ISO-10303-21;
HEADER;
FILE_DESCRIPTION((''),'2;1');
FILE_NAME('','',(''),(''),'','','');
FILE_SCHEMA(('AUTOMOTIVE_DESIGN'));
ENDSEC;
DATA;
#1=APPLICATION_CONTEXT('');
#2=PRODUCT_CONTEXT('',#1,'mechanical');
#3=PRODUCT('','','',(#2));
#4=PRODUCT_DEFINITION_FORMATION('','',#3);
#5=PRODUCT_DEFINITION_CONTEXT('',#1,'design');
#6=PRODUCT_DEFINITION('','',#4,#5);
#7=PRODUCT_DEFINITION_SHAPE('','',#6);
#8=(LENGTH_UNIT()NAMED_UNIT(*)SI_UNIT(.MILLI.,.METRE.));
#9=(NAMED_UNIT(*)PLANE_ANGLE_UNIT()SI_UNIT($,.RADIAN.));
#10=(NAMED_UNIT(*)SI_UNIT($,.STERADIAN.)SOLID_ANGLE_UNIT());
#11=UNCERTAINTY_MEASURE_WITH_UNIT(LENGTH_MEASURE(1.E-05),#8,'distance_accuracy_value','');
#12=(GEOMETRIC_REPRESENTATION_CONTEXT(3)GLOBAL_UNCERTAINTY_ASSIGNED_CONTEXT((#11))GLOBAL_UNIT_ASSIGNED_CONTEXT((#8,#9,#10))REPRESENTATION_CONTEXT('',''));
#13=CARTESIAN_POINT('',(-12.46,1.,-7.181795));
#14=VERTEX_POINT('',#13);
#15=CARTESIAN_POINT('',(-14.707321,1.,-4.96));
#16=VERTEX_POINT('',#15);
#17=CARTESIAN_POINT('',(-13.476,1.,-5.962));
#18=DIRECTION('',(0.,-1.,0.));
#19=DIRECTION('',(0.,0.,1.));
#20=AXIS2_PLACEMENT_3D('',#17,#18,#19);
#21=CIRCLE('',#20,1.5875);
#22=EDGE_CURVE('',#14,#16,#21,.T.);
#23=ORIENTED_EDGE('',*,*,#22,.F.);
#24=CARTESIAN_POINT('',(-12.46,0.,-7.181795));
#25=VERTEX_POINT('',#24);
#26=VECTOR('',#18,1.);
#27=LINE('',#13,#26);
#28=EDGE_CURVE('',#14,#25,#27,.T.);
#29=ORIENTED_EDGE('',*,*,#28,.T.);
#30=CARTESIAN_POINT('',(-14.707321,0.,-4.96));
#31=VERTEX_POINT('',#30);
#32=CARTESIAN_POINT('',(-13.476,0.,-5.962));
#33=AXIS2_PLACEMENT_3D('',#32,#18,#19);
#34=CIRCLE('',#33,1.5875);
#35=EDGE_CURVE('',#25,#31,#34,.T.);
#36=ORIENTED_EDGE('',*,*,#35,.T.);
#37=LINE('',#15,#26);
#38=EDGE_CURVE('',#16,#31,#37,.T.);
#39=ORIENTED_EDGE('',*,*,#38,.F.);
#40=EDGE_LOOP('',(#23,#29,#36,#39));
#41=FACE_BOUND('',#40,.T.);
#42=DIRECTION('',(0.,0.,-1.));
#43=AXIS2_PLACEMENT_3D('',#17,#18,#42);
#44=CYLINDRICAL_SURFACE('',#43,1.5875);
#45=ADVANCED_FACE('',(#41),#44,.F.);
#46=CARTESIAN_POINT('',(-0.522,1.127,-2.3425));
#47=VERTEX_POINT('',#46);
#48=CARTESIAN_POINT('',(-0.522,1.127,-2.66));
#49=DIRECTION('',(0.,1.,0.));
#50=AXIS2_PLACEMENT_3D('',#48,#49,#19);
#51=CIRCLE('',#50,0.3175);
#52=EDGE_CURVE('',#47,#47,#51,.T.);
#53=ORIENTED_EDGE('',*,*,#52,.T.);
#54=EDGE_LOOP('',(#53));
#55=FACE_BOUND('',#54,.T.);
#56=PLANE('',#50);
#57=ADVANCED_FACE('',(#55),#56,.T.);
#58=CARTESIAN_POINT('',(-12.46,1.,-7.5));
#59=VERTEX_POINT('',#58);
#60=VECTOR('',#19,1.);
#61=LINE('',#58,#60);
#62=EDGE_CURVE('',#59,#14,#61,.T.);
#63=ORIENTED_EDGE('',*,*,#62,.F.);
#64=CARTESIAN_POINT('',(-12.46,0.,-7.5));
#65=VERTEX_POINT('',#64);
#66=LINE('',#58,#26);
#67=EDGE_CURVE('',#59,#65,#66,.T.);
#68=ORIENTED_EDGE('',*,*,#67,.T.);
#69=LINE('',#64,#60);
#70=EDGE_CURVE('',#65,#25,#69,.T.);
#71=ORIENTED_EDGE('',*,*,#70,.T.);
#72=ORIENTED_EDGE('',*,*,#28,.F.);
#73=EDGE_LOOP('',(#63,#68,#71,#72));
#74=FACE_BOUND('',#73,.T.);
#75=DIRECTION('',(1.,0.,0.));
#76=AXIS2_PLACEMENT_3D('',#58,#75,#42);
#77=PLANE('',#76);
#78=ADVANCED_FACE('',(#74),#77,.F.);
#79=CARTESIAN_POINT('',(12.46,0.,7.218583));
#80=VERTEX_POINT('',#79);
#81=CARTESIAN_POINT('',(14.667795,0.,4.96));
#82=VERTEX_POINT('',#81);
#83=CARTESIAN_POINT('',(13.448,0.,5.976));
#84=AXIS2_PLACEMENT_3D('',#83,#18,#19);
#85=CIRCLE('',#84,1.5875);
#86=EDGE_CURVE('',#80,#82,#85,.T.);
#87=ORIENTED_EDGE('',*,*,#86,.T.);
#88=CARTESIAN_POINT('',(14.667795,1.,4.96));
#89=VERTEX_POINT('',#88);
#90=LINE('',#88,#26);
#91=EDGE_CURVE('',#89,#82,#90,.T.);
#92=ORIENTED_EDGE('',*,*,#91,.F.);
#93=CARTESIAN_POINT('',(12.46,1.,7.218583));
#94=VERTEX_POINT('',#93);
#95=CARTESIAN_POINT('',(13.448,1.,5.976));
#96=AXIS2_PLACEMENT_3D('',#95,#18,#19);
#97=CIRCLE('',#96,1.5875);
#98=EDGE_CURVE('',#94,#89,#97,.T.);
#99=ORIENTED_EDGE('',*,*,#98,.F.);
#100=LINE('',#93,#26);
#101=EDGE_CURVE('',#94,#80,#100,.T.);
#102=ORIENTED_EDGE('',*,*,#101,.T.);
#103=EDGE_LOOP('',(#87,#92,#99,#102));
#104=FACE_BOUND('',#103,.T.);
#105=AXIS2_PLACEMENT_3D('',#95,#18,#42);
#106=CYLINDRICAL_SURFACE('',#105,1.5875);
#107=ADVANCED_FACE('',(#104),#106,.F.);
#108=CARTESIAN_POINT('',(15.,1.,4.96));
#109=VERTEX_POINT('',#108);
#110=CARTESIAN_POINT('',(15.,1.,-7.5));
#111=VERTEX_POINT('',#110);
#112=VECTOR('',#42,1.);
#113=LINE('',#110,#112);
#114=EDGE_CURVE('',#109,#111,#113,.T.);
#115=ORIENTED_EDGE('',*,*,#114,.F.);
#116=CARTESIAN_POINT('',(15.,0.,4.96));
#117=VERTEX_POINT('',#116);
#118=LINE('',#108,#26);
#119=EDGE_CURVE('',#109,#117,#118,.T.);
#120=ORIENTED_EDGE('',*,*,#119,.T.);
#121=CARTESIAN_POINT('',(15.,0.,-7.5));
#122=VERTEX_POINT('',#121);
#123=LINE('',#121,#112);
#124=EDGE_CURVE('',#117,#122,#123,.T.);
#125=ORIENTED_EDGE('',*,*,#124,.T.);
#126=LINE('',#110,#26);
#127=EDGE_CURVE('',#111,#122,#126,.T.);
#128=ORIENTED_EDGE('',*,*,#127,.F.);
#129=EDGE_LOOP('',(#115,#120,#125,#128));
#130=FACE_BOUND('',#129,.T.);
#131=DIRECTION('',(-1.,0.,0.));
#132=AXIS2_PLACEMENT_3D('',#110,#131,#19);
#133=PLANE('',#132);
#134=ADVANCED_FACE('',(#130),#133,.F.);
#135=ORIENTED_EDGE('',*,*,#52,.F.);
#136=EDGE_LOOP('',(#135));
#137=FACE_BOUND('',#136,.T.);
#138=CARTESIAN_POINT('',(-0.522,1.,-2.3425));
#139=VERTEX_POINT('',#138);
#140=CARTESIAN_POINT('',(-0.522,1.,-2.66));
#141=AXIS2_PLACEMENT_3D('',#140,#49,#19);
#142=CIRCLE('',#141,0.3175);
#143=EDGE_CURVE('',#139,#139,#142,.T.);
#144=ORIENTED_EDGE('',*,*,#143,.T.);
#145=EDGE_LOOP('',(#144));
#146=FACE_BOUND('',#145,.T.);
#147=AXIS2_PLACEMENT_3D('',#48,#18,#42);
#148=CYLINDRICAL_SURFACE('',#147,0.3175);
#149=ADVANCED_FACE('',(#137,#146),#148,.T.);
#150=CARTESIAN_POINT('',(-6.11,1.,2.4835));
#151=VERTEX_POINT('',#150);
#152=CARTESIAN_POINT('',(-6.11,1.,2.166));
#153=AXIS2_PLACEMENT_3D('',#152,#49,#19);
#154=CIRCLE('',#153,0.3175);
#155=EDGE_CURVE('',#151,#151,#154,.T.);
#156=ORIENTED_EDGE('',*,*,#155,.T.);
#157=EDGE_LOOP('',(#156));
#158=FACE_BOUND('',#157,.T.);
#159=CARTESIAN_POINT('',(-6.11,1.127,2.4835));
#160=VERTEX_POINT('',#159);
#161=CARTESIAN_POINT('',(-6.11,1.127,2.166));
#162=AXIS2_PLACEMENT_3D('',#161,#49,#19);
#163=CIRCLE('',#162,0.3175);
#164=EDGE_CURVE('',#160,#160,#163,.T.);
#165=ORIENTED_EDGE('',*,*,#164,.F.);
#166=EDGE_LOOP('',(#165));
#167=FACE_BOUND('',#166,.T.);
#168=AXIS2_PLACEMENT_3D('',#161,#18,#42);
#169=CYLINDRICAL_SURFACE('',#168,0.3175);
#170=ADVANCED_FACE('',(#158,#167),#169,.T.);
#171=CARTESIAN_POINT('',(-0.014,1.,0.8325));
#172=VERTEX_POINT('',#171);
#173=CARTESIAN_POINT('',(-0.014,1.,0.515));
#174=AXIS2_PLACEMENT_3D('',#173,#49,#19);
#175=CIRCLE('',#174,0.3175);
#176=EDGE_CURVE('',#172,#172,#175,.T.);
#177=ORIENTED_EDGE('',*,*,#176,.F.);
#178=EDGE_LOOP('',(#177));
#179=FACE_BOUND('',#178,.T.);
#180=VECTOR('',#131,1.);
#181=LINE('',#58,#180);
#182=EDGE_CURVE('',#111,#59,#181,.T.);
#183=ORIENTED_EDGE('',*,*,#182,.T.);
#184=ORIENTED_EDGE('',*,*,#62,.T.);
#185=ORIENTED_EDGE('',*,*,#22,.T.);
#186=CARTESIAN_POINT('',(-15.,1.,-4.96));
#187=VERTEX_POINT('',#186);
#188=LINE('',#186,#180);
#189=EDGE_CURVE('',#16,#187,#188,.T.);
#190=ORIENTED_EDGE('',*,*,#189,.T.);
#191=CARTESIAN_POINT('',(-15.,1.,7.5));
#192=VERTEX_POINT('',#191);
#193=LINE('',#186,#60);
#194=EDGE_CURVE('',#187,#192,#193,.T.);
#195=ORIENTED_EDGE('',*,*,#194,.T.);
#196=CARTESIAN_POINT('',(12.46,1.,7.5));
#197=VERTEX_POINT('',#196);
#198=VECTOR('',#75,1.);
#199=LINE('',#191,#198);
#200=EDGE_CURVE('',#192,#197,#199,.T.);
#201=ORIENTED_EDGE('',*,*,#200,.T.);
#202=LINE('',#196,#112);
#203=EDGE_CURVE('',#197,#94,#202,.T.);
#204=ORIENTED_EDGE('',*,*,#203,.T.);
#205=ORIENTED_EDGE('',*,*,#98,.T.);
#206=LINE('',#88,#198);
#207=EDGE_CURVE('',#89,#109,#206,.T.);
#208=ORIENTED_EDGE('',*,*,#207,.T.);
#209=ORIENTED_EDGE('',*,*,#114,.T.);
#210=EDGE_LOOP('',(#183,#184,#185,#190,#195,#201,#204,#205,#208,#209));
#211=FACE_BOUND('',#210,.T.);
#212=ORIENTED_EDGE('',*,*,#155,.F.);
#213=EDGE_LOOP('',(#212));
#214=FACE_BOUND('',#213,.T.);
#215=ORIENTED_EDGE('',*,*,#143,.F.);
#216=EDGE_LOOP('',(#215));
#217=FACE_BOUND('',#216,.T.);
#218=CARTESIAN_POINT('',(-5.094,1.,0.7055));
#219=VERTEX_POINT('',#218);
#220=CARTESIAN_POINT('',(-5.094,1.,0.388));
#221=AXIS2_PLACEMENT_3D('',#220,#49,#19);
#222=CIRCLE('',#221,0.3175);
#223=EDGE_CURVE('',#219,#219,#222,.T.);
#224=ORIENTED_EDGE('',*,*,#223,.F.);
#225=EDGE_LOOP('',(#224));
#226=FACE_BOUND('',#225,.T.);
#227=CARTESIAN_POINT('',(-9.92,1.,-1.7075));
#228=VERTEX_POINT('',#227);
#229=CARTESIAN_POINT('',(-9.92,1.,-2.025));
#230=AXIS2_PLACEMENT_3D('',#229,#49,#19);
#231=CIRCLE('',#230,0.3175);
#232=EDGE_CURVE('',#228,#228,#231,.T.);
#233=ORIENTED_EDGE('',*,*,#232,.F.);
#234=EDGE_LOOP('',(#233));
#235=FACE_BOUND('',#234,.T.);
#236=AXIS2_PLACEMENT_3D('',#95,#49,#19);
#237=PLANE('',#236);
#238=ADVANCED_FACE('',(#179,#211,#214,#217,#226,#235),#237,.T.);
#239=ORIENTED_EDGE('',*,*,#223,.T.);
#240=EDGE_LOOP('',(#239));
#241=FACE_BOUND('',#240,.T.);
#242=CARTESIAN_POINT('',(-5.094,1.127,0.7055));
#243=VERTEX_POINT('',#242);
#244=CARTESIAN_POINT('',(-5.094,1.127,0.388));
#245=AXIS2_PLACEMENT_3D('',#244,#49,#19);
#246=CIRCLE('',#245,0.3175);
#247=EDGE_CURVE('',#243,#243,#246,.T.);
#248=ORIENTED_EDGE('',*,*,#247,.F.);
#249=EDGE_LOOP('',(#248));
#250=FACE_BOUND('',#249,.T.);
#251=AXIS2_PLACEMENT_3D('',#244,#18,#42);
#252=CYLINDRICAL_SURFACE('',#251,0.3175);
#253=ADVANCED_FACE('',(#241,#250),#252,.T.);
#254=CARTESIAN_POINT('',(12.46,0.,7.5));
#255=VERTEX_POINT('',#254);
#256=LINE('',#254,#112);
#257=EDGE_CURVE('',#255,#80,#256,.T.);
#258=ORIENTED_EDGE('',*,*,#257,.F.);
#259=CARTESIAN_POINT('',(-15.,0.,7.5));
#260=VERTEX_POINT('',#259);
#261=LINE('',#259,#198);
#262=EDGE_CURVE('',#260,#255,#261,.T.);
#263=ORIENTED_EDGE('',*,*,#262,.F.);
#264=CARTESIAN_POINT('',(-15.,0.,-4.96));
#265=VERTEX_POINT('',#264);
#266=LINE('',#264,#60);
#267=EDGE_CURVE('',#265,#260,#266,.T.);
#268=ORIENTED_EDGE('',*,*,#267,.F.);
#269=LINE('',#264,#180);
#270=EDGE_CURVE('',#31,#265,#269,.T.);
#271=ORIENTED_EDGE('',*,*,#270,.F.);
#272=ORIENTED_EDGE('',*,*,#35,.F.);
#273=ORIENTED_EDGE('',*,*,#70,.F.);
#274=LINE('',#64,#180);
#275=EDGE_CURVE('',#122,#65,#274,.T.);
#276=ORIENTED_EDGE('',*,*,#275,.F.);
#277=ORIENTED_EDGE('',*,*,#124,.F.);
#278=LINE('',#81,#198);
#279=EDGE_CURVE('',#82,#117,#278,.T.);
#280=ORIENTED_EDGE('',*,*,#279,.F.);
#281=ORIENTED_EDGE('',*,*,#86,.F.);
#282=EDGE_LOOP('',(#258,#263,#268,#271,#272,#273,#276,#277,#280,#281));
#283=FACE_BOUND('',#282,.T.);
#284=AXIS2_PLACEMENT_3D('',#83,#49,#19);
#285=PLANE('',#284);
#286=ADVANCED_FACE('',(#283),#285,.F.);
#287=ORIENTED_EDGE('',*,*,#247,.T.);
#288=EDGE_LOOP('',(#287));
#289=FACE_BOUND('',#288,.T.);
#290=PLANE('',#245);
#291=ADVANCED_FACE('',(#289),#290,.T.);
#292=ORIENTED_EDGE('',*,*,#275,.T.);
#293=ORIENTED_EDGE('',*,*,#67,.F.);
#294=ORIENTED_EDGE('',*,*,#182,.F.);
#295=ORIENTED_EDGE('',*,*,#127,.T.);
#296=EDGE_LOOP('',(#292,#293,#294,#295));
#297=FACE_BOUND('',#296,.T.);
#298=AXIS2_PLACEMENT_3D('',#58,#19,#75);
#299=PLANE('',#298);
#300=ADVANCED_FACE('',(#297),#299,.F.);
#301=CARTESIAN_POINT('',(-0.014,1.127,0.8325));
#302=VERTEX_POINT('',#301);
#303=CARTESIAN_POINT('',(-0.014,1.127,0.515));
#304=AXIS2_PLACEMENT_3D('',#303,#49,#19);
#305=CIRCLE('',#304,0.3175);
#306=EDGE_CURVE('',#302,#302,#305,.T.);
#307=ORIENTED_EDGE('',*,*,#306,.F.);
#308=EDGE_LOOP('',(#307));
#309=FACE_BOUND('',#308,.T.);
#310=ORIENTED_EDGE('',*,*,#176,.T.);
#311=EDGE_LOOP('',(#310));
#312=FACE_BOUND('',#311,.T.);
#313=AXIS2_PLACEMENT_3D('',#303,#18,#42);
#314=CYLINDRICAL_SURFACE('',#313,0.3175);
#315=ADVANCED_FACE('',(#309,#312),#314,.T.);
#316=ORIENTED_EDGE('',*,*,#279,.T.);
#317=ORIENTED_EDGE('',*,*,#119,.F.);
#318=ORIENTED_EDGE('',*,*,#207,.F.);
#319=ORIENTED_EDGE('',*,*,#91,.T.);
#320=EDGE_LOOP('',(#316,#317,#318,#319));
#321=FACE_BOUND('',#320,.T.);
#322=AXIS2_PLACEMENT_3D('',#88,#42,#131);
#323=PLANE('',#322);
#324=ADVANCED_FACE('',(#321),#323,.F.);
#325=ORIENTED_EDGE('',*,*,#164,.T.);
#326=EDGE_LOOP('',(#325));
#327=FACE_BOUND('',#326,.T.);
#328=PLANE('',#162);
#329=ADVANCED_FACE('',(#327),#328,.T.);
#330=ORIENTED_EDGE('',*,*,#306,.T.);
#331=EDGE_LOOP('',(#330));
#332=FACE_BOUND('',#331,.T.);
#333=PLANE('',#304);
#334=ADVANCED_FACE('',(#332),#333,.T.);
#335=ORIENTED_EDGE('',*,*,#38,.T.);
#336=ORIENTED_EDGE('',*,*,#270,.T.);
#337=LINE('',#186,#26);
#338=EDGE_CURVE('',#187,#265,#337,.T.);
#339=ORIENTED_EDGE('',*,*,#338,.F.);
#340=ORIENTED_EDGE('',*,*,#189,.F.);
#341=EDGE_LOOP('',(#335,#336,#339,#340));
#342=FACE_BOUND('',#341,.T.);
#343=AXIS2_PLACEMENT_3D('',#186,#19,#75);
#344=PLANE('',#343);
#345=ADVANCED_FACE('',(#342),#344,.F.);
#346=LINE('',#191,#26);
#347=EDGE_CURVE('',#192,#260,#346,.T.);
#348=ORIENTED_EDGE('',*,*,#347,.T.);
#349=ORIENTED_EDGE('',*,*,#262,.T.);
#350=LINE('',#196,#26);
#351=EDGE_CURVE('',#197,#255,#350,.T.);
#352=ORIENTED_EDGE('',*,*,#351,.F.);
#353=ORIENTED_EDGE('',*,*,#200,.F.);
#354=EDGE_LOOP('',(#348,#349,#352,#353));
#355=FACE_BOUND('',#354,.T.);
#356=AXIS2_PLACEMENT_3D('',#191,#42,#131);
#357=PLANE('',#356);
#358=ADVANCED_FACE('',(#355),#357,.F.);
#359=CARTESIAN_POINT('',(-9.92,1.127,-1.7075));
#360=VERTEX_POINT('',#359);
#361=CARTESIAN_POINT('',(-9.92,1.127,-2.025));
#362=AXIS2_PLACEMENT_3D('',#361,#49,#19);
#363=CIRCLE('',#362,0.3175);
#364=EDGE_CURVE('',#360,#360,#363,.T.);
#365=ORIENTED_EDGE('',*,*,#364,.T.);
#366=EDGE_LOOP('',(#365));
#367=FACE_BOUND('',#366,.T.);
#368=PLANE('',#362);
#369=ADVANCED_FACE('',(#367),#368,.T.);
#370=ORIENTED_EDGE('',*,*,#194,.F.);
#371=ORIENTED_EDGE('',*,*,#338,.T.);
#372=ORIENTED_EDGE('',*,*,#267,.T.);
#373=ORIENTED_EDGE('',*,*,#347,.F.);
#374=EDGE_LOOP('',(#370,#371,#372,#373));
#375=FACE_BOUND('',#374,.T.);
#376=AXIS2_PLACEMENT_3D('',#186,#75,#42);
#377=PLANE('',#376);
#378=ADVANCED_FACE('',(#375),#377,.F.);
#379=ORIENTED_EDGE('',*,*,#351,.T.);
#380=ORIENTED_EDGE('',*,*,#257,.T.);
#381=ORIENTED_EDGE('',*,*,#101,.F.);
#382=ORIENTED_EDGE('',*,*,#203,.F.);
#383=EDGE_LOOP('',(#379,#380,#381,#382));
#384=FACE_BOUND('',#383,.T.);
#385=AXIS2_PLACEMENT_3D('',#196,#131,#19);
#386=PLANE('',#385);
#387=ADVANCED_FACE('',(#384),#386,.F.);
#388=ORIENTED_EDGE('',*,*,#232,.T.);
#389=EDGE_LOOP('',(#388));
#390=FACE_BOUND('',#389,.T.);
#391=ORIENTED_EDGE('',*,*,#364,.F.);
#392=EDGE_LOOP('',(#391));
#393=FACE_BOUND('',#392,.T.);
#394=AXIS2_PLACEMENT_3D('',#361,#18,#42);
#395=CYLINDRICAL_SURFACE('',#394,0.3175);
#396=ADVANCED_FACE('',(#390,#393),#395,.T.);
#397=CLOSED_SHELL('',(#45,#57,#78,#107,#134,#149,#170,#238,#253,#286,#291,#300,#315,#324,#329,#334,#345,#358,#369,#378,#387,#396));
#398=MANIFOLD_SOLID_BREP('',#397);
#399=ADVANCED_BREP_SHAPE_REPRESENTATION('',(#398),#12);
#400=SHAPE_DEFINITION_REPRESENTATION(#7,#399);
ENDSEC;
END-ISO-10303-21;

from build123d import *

# Parameters (mm, degrees)
BOSS_EXTRUDE1_DEPTH = 1
SKETCH2_R           = 0.3175
BOSS_EXTRUDE2_DEPTH = 0.127


with BuildPart() as part:
    # Sketch1 → Boss-Extrude1 (new body)
    with BuildSketch(Plane(origin=(0, 0, 0), x_dir=(1, 0, 0), z_dir=(0, 1, 0))):
        with BuildLine():
            Line((-12.46, 7.5), (15, 7.5))
            Line((15, 7.5), (15, -4.96))
            Line((15, -4.96), (14.667795167, -4.96))
            ThreePointArc((14.667795167, -4.96), (12.312776928, -4.866304174), (12.46, -7.218582895))
            Line((12.46, -7.218582895), (12.46, -7.5))
            Line((12.46, -7.5), (-15, -7.5))
            Line((-15, -7.5), (-15, 4.96))
            Line((-15, 4.96), (-14.707321343, 4.96))
            ThreePointArc((-14.707321343, 4.96), (-12.359897737, 4.833074853), (-12.46, 7.181795167))
            Line((-12.46, 7.181795167), (-12.46, 7.5))
        make_face()
    extrude(amount=BOSS_EXTRUDE1_DEPTH)

    # Sketch2 → Boss-Extrude2 (add)
    with BuildSketch(Plane(origin=(0, 1, 0), x_dir=(1, 0, 0), z_dir=(0, 1, 0))):
        with Locations(Location((-9.92, 2.025, 0), (0, 0, 270))):
            Circle(SKETCH2_R)
        with Locations(Location((-5.094, -0.388, 0), (0, 0, 270))):
            Circle(SKETCH2_R)
        with Locations(Location((-6.11, -2.166, 0), (0, 0, 270))):
            Circle(SKETCH2_R)
        with Locations(Location((-0.522, 2.66, 0), (0, 0, 270))):
            Circle(SKETCH2_R)
        with Locations(Location((-0.014, -0.515, 0), (0, 0, 270))):
            Circle(SKETCH2_R)
    extrude(amount=BOSS_EXTRUDE2_DEPTH)


solid = part.part
